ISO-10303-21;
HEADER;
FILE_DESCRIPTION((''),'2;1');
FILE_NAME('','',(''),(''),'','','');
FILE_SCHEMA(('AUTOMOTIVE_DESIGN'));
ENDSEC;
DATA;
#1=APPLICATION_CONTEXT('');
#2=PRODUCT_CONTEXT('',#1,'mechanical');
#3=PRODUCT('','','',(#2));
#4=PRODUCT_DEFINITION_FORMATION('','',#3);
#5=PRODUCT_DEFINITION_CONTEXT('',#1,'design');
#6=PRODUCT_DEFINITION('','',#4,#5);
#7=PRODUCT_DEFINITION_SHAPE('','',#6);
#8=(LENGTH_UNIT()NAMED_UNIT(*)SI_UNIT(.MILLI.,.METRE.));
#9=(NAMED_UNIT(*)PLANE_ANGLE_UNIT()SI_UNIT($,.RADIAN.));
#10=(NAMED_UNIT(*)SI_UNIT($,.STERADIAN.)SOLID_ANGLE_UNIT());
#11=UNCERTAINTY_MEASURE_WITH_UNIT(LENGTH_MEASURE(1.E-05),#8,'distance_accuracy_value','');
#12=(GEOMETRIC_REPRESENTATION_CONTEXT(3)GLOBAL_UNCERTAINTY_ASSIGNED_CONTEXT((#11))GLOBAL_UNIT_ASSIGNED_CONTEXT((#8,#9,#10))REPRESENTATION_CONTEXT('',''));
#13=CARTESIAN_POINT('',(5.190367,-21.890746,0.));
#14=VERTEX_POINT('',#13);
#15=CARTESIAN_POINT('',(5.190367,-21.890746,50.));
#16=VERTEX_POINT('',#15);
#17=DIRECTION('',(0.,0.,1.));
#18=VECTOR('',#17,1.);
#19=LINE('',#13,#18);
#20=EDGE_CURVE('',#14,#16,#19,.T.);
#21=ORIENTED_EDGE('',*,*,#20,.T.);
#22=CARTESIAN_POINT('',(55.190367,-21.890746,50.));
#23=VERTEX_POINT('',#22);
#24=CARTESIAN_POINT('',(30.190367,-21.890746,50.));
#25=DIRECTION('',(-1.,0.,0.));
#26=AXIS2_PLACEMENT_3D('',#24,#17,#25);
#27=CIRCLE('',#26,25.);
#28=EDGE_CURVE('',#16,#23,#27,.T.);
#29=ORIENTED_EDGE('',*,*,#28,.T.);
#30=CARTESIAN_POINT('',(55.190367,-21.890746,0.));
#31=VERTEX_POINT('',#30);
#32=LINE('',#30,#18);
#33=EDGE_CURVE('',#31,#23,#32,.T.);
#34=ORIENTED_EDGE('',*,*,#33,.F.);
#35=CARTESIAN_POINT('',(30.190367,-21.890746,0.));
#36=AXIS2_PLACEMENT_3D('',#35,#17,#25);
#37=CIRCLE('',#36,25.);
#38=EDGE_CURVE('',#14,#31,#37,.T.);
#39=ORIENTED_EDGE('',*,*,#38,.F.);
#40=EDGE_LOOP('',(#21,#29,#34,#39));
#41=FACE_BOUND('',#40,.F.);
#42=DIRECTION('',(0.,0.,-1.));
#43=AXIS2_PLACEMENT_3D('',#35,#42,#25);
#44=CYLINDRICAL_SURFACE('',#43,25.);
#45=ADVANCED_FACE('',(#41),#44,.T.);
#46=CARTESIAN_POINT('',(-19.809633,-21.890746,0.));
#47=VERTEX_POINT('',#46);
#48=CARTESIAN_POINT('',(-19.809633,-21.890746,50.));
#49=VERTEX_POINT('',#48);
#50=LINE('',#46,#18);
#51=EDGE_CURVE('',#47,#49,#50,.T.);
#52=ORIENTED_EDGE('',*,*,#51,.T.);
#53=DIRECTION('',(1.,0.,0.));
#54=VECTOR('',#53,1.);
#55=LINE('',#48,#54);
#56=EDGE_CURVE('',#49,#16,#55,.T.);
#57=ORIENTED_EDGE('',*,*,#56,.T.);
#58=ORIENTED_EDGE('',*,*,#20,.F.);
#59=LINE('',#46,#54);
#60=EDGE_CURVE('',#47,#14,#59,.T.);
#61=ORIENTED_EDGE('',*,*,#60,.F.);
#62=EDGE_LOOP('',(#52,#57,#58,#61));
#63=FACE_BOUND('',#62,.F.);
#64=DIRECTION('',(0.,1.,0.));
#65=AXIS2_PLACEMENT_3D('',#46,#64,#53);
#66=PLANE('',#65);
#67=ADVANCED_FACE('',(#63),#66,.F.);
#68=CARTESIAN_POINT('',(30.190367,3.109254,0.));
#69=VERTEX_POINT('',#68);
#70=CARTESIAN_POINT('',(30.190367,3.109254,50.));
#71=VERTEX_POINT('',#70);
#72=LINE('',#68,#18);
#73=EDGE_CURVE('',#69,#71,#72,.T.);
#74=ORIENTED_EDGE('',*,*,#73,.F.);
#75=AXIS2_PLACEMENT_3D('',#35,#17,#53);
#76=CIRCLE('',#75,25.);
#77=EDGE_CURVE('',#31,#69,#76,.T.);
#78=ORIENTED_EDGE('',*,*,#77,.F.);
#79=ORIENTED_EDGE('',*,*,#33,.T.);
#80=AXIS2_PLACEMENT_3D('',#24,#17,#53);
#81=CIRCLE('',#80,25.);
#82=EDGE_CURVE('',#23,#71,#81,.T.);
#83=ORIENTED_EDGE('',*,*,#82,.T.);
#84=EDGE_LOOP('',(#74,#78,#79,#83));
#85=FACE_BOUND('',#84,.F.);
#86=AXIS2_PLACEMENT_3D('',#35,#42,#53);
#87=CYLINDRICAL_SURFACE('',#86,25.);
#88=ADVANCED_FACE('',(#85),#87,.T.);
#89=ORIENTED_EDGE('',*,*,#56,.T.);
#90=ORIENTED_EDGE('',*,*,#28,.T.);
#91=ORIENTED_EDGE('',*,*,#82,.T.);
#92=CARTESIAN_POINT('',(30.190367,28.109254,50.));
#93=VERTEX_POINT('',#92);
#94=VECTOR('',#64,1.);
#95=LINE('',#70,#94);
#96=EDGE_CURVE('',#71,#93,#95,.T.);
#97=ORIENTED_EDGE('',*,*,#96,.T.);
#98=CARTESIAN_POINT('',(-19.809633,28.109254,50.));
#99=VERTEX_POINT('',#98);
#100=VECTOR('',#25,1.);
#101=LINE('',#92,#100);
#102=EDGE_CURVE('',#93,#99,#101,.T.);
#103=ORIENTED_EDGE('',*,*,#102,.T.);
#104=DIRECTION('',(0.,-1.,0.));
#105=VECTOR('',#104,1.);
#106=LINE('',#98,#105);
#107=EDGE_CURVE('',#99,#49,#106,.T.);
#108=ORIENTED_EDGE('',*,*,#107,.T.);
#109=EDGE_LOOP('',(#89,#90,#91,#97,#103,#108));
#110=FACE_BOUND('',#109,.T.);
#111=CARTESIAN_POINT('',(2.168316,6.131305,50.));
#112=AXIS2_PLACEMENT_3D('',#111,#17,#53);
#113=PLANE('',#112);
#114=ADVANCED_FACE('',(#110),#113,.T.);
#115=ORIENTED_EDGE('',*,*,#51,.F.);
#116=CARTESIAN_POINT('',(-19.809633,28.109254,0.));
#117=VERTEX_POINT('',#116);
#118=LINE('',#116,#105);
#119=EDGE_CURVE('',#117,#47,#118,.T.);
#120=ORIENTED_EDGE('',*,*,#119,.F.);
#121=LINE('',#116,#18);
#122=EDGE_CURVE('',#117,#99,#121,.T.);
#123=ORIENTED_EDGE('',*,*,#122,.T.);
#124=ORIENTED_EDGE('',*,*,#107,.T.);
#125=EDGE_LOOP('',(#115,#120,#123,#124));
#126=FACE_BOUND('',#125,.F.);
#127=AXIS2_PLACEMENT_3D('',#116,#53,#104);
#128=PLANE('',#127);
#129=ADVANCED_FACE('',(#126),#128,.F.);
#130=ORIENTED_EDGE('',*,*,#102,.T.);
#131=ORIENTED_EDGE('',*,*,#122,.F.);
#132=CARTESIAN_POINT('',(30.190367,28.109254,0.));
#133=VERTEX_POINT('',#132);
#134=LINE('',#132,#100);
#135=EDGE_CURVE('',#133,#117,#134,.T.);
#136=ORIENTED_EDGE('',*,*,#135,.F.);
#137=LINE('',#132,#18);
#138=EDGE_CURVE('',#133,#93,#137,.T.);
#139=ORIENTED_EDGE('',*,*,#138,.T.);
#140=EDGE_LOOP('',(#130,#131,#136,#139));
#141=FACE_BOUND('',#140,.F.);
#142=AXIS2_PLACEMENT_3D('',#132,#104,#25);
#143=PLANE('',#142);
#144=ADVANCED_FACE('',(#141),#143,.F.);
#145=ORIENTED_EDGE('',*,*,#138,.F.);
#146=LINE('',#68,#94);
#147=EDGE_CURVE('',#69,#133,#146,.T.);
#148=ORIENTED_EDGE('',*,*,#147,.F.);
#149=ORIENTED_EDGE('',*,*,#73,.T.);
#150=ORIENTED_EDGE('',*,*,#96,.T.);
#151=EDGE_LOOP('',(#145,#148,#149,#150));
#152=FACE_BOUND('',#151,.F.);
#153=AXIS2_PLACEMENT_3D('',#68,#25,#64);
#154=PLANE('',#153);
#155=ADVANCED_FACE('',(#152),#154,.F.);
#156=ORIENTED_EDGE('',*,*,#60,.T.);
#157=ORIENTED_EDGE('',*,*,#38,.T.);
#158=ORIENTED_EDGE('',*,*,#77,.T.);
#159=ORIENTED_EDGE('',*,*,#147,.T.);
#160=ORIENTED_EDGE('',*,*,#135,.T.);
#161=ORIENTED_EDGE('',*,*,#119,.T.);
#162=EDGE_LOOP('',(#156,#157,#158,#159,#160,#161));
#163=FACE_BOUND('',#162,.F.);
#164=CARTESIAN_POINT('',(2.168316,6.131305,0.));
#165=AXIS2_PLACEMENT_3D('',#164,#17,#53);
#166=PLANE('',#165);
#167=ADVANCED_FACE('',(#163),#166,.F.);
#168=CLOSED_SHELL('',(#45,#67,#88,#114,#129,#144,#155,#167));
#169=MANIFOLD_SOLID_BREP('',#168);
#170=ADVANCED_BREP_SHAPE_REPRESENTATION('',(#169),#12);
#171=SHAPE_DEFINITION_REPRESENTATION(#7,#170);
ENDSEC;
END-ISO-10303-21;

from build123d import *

# Parameters (mm, degrees)
F1_DEPTH = 50


with BuildPart() as f1:
    # F0 (on Top) → F1 (new body)
    with BuildSketch(Plane.XY):
        with BuildLine():
            Line((30.1903668791, 28.1092543399), (-19.8096331209, 28.1092543399))
            Line((-19.8096331209, 28.1092543399), (-19.8096331209, -21.8907456601))
            Line((-19.8096331209, -21.8907456601), (5.1903668791, -21.8907456601))
            ThreePointArc((5.1903668791, -21.8907456601), (12.5126973494, -4.2130761304), (30.1903668791, 3.1092543399))
            Line((30.1903668791, 3.1092543399), (30.1903668791, 28.1092543399))
        make_face()
        with BuildLine():
            ThreePointArc((55.1903668791, -21.8907456601), (47.8680364088, -4.2130761304), (30.1903668791, 3.1092543399))
            Line((30.1903668791, 3.1092543399), (30.1903668791, -21.8907456601))
            Line((30.1903668791, -21.8907456601), (5.1903668791, -21.8907456601))
            ThreePointArc((5.1903668791, -21.8907456601), (30.1903668791, -46.8907456601), (55.1903668791, -21.8907456601))
        make_face()
        with BuildLine():
            Line((30.1903668791, -21.8907456601), (30.1903668791, 3.1092543399))
            ThreePointArc((30.1903668791, 3.1092543399), (12.5126973494, -4.2130761304), (5.1903668791, -21.8907456601))
            Line((5.1903668791, -21.8907456601), (30.1903668791, -21.8907456601))
        make_face()
    extrude(amount=F1_DEPTH)


solid = f1.part
